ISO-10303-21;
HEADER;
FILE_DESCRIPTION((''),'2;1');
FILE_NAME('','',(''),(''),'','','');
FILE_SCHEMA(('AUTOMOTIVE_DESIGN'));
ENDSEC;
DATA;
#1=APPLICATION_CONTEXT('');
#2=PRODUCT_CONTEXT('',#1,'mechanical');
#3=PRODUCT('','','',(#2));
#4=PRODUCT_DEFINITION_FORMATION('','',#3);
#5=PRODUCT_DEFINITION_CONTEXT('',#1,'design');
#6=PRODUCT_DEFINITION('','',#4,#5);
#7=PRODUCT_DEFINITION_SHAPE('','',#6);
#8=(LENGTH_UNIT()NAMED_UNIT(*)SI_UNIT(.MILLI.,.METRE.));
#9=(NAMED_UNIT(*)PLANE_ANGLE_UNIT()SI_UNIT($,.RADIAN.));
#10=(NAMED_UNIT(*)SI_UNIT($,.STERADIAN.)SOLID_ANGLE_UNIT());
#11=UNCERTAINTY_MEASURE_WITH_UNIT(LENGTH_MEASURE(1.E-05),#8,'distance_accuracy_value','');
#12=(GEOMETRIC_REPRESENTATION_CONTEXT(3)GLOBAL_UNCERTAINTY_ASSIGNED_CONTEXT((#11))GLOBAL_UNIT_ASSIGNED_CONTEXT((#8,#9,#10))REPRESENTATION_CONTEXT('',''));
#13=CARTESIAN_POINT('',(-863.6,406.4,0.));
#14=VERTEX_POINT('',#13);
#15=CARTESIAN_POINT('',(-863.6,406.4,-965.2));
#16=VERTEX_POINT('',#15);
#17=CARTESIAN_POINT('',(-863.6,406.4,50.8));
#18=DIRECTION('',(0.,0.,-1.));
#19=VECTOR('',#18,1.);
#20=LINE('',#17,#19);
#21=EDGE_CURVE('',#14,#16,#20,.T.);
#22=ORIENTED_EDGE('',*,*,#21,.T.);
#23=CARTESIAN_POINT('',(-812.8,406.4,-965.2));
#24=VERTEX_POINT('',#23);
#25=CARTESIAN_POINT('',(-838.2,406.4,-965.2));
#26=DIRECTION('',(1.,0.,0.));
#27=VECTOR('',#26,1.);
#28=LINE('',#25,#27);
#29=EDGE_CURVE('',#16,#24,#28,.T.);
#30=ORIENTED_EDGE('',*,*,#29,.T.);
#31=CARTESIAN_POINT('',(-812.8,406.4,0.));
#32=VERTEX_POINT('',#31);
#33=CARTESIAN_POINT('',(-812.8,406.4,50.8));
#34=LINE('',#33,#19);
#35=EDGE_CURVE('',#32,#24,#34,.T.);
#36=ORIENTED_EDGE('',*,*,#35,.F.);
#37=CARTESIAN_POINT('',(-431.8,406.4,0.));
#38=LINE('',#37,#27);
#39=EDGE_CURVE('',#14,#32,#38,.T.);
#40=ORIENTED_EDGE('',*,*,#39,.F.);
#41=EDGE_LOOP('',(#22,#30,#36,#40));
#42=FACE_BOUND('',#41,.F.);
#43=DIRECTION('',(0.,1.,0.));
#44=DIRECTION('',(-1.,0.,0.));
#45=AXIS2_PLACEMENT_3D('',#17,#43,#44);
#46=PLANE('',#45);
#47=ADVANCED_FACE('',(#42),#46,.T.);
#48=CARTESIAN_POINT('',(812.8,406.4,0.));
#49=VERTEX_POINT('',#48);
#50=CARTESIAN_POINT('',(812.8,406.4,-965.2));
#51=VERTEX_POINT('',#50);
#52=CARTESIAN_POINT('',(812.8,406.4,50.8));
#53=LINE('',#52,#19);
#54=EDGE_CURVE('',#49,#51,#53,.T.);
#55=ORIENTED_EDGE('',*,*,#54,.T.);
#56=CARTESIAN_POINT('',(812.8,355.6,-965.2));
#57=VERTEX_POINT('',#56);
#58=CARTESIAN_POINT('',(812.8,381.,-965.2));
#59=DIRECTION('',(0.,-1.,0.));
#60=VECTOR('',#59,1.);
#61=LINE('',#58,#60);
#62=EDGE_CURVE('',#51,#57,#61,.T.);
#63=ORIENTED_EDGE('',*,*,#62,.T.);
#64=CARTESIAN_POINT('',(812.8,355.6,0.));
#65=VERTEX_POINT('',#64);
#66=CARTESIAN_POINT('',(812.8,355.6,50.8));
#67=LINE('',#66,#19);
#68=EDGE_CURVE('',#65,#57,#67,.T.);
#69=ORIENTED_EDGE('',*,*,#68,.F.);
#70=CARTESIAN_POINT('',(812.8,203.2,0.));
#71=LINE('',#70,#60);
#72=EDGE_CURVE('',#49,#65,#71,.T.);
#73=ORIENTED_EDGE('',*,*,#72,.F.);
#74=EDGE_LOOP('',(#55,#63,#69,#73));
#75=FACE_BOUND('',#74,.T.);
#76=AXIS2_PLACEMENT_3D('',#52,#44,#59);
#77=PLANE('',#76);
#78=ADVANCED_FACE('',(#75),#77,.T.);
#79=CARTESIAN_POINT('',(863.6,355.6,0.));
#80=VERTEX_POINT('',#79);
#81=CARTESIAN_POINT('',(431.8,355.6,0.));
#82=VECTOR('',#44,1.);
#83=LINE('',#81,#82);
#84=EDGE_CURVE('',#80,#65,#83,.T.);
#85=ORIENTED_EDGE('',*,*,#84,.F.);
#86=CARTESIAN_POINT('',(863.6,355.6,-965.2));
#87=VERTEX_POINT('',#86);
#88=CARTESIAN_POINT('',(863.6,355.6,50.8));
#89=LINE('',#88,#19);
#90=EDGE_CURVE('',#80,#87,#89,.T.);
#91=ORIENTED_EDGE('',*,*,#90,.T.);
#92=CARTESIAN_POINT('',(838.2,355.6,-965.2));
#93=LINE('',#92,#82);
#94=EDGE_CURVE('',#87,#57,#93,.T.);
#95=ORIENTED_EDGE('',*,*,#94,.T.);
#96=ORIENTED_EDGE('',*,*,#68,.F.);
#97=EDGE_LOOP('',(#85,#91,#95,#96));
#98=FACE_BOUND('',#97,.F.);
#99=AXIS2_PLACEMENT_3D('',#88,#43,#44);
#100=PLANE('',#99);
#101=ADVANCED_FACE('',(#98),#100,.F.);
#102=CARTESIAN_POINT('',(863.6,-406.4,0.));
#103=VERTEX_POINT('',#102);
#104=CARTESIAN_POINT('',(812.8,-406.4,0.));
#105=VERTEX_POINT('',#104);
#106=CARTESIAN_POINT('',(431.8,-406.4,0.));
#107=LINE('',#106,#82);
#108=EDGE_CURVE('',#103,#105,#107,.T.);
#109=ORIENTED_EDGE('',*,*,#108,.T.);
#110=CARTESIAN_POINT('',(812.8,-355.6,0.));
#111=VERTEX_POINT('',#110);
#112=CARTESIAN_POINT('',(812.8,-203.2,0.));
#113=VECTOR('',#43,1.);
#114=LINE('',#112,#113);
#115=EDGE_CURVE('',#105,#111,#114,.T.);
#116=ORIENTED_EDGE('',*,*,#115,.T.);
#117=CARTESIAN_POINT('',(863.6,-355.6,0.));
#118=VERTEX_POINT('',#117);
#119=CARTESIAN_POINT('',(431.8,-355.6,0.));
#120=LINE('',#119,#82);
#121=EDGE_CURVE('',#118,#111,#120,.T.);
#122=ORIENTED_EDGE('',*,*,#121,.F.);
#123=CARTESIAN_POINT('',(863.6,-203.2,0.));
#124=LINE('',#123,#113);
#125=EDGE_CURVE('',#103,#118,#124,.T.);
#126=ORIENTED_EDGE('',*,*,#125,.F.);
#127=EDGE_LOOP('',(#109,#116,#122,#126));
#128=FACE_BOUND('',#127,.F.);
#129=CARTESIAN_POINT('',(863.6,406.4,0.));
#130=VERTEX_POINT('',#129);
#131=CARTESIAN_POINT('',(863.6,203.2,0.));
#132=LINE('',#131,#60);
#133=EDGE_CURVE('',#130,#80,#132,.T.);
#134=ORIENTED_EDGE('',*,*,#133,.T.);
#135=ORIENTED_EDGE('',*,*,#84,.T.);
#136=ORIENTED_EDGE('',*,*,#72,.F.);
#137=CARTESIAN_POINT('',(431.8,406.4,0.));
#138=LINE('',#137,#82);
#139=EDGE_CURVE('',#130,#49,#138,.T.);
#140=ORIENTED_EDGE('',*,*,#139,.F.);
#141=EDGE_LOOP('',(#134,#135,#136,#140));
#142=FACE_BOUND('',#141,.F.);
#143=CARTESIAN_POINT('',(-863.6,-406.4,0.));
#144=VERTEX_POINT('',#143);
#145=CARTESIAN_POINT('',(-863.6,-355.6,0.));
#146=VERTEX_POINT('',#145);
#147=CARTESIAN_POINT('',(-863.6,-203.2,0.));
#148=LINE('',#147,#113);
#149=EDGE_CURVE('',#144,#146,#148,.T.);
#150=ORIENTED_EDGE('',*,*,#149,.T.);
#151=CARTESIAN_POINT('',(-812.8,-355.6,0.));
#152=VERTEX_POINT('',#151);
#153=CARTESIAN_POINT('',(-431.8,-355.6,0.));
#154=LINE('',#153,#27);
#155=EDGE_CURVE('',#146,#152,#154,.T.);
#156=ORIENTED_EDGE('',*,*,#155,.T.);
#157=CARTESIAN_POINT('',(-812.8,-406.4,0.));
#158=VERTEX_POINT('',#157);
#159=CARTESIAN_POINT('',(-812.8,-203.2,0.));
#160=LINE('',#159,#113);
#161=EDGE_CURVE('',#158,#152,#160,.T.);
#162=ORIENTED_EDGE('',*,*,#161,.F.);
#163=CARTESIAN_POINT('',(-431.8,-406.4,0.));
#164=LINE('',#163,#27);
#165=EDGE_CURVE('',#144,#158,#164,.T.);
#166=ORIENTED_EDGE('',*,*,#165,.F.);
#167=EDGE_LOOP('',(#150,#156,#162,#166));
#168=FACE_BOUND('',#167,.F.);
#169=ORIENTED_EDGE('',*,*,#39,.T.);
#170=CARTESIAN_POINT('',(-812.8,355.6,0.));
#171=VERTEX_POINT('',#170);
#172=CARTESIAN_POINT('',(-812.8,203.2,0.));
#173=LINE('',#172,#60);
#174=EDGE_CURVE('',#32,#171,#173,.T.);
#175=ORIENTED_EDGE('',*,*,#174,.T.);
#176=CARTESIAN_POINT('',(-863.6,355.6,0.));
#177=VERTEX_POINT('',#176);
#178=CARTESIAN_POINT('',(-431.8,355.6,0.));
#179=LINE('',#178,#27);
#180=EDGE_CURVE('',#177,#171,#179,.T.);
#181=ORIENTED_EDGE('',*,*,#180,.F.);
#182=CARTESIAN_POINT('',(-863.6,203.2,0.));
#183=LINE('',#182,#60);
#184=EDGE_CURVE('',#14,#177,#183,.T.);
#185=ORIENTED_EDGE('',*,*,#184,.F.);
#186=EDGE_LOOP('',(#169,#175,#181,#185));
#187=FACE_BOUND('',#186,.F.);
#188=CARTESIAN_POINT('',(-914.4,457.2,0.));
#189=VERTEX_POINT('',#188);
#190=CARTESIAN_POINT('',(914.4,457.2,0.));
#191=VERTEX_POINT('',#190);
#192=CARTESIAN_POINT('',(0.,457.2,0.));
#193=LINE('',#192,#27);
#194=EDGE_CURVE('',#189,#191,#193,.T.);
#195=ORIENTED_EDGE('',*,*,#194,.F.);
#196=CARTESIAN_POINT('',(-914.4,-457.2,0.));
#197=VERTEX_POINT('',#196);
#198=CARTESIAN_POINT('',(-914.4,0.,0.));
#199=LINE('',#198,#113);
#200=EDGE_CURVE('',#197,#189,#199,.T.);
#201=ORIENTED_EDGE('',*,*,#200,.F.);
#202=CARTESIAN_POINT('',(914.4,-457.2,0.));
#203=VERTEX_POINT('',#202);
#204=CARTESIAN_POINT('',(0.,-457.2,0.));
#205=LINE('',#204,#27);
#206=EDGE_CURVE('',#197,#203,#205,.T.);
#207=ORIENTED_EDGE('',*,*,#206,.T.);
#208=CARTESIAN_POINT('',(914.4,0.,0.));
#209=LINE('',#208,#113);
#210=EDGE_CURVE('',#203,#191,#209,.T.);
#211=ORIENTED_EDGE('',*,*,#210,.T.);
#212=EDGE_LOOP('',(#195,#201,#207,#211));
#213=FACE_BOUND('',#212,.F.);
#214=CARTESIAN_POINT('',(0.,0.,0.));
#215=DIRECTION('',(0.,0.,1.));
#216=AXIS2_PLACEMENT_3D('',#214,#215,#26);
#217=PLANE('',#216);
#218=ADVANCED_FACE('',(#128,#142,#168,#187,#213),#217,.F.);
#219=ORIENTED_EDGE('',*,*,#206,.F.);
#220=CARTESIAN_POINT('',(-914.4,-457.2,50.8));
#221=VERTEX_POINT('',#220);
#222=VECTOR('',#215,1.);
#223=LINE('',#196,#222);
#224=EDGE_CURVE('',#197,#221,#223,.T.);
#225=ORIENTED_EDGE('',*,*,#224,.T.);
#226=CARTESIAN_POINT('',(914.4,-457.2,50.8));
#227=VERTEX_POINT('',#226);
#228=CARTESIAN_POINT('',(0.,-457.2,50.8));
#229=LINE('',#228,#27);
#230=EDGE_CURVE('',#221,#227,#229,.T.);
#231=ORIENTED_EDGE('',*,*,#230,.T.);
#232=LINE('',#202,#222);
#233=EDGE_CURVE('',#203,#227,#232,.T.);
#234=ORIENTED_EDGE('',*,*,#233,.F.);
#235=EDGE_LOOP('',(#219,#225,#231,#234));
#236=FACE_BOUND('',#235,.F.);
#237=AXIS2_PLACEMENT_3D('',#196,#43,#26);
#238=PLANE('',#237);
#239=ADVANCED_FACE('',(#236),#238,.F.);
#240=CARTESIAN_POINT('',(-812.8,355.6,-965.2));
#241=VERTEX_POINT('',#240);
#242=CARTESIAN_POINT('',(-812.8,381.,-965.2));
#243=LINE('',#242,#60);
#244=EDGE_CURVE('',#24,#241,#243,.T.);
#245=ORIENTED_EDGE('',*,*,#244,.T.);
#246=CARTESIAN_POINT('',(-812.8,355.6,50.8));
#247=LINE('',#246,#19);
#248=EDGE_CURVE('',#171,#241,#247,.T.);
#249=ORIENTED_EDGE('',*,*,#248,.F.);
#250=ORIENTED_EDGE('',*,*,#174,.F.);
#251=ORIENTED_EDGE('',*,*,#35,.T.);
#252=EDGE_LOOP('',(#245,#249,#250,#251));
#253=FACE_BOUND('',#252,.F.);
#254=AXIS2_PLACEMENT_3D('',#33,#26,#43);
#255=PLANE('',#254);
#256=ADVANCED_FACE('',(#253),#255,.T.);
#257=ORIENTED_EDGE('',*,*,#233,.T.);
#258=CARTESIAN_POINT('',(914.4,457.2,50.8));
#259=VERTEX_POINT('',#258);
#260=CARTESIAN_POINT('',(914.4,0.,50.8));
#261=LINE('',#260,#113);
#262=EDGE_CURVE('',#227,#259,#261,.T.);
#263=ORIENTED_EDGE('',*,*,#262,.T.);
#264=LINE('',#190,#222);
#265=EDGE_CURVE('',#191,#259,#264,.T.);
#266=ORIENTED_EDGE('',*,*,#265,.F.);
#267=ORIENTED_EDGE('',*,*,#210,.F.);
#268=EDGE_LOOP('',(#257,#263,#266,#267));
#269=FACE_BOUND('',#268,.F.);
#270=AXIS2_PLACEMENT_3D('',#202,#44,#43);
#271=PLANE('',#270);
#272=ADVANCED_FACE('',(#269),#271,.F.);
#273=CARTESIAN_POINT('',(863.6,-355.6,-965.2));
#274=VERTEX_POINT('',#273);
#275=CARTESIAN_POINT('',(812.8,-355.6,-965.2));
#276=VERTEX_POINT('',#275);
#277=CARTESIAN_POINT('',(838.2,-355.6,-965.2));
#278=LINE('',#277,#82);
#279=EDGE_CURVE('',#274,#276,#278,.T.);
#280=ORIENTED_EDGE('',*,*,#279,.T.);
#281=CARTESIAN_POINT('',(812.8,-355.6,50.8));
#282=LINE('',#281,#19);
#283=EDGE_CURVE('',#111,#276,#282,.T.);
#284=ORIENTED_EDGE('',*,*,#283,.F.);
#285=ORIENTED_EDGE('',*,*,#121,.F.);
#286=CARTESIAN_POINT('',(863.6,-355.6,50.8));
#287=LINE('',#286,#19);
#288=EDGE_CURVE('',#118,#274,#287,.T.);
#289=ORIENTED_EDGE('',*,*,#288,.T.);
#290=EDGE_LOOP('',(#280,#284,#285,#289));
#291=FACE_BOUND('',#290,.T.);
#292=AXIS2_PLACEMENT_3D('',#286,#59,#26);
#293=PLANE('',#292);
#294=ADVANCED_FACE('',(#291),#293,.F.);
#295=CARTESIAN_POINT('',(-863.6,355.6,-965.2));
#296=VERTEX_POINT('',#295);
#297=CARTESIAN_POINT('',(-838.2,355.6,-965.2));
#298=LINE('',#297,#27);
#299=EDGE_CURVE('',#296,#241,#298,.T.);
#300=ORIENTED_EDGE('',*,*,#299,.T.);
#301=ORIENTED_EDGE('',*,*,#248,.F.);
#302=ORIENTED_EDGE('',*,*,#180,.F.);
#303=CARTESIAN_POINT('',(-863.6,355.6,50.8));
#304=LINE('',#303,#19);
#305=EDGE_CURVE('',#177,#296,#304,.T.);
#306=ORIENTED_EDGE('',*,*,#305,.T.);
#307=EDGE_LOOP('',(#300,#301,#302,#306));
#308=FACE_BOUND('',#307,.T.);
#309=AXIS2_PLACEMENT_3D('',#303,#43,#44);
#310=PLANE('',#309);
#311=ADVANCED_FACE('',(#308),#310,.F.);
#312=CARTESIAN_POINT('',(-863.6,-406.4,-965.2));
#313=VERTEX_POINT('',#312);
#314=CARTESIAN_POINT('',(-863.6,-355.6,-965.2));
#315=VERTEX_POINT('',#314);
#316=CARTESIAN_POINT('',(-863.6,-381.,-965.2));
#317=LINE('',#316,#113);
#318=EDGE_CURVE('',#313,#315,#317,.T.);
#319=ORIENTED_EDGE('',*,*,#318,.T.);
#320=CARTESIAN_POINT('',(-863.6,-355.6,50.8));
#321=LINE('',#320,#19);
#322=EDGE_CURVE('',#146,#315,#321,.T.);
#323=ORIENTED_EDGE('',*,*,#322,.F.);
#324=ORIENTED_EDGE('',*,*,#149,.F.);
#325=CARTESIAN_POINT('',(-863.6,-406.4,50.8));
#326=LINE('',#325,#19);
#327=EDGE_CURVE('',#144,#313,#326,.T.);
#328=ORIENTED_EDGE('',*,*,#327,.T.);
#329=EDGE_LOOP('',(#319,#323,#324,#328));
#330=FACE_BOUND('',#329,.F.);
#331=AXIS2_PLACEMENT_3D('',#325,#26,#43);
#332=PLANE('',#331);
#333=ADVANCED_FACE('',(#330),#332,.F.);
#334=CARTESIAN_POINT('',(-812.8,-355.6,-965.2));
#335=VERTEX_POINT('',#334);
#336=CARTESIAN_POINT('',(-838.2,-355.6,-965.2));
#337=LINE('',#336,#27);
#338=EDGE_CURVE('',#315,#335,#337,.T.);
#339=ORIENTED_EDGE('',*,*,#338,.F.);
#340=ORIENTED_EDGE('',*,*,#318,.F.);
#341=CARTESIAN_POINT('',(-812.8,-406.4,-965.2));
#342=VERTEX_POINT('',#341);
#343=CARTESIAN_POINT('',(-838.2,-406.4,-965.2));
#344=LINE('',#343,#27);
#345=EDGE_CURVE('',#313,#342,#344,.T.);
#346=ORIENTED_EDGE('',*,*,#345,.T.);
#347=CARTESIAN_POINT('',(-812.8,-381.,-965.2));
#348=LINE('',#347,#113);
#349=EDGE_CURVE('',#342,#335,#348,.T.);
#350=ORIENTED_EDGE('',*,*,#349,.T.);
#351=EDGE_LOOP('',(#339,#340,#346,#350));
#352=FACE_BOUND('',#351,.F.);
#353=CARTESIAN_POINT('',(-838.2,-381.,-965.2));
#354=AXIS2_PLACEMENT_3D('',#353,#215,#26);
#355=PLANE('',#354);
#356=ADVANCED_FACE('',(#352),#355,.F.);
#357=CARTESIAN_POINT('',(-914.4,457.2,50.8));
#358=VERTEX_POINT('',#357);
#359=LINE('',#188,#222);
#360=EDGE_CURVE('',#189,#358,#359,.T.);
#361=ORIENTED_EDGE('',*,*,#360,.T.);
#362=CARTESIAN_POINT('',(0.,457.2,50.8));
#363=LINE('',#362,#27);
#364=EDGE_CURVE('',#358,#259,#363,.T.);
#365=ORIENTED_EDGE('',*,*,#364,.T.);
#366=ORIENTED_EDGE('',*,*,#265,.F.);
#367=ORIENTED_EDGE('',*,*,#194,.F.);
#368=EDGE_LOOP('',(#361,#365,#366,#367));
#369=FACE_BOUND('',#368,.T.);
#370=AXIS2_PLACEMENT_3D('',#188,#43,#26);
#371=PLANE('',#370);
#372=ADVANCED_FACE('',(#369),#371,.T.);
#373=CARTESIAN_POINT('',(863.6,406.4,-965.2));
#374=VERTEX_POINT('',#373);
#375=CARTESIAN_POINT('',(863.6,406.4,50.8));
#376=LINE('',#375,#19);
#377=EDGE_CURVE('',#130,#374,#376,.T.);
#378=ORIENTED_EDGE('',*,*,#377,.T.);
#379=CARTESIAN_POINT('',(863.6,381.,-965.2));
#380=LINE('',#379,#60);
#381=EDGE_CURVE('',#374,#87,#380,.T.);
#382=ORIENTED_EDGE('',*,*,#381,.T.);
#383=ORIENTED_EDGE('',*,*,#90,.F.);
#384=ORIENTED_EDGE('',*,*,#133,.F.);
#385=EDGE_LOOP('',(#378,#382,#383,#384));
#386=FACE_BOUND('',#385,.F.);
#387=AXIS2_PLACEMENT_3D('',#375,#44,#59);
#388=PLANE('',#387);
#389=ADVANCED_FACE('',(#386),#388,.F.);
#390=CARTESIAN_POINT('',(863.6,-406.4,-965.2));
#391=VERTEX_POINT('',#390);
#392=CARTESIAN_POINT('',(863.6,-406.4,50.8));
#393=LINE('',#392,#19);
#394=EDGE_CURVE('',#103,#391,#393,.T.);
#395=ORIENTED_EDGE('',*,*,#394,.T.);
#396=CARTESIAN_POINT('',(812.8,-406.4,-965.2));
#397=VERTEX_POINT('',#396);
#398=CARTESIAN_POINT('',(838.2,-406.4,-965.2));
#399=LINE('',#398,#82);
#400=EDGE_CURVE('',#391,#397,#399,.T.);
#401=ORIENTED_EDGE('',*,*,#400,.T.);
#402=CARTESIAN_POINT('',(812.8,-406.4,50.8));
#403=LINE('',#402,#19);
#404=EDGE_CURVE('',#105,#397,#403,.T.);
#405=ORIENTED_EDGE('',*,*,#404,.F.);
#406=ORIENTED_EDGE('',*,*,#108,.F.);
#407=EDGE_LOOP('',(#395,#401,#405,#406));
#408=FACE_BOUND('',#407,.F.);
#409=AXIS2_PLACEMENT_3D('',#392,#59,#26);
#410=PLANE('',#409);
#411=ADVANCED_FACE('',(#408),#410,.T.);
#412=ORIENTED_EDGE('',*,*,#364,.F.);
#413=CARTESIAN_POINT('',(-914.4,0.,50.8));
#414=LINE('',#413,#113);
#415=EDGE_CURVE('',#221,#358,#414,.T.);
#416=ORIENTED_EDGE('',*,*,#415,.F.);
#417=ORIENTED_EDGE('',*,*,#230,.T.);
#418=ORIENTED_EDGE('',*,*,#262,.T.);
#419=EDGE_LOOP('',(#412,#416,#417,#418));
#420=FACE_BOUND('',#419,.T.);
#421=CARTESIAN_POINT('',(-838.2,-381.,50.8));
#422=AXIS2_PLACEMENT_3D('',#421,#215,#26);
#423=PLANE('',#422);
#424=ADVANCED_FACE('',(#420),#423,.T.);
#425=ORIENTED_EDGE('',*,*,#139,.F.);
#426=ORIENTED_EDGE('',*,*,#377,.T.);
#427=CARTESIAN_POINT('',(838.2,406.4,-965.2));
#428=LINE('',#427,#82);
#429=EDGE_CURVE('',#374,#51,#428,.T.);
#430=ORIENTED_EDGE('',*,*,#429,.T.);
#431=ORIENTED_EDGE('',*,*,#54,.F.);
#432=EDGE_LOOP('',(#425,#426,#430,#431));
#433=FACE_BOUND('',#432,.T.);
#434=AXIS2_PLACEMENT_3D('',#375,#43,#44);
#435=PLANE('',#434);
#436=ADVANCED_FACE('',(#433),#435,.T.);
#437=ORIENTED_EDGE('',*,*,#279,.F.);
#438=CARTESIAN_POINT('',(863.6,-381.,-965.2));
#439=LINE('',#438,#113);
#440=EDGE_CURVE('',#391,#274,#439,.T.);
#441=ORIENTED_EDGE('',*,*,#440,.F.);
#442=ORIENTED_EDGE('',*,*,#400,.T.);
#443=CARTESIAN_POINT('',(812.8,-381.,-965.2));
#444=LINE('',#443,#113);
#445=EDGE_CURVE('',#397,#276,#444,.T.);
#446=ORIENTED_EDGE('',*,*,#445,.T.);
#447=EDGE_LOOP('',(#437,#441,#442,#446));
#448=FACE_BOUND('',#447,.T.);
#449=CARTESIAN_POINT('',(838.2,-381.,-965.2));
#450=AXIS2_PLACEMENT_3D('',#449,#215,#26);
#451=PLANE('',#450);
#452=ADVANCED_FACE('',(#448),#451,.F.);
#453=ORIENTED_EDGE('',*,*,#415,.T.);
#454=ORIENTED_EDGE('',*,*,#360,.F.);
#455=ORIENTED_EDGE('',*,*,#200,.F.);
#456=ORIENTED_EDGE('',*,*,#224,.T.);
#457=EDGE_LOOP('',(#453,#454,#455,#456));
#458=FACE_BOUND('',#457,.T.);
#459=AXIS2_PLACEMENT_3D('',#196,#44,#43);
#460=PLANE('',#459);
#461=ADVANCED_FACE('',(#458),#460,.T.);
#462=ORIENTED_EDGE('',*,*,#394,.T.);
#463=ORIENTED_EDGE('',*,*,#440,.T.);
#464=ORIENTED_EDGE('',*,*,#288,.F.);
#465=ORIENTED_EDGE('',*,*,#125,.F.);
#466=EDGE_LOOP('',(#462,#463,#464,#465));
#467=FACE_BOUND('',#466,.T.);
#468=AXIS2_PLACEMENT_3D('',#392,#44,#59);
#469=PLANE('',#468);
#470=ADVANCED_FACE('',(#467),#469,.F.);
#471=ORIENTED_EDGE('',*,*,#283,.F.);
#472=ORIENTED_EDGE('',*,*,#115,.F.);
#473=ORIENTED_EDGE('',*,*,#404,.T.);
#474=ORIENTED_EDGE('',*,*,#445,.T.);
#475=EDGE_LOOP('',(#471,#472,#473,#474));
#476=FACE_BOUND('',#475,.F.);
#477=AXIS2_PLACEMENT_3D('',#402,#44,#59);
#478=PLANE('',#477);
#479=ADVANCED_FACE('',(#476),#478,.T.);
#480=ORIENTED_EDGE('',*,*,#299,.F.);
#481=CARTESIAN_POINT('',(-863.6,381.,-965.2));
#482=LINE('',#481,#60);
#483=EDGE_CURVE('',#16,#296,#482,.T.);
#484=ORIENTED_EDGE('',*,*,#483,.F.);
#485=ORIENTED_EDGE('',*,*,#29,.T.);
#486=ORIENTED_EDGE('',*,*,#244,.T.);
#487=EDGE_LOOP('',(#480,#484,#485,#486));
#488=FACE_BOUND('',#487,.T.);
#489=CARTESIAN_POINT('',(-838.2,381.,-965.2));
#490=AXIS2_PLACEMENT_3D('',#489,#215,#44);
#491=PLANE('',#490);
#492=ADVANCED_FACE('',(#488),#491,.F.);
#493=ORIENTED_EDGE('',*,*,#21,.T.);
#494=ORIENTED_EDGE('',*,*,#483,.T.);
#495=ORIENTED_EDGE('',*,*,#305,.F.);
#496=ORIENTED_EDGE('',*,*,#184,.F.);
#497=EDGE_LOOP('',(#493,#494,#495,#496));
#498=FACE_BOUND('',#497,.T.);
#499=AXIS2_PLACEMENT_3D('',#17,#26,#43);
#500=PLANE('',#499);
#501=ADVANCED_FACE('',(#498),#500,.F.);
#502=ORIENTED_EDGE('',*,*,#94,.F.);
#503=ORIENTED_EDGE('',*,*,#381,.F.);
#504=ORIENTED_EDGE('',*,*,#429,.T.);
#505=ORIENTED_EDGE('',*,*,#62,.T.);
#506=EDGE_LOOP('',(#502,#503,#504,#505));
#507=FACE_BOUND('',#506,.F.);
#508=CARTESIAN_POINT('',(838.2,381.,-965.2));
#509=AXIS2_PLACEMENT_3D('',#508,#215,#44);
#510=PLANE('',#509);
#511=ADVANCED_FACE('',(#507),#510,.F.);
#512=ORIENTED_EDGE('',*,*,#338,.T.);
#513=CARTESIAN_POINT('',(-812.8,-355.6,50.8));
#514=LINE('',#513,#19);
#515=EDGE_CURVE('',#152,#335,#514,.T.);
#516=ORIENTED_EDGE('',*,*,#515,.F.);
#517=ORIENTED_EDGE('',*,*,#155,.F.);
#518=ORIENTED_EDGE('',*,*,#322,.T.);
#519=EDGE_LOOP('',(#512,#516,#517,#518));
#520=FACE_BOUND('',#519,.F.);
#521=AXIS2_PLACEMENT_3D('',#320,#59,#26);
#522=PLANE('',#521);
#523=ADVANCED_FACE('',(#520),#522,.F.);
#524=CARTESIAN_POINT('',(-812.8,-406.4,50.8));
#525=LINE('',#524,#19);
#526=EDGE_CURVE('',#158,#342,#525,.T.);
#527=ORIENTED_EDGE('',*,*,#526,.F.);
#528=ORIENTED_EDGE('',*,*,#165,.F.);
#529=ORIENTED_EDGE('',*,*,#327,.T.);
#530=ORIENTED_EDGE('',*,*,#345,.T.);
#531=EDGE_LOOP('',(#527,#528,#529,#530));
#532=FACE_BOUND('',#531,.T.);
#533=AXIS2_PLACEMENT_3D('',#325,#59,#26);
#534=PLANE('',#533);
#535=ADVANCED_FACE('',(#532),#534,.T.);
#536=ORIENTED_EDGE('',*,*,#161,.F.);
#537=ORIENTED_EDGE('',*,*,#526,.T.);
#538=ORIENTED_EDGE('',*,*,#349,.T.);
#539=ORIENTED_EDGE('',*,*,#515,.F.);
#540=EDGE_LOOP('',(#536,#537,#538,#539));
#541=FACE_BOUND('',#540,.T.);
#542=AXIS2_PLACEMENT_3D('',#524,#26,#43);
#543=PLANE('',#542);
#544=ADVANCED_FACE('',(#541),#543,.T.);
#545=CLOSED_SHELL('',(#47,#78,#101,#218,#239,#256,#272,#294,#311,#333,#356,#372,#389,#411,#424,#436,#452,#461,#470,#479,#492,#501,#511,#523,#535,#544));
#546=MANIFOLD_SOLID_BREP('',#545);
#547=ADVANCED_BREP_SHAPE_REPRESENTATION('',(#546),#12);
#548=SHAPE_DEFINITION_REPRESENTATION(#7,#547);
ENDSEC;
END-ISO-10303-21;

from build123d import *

# Parameters (mm, degrees)
F0_W     = 1828.8
F0_H     = 914.4
F1_DEPTH = 50.8
F2_W     = 50.8
F2_H     = 50.8
F3_DEPTH = 1016


with BuildPart() as f1:
    # F0 (on Top) → F1 (new body)
    with BuildSketch(Plane.XY):
        Rectangle(F0_W, F0_H)
    extrude(amount=F1_DEPTH)

    # F2 (on face) → F3 (join)
    with BuildSketch(Plane.XY.offset(50.8)):
        with Locations((-838.2, -381)):
            Rectangle(F2_W, F2_H)
    extrude(amount=-F3_DEPTH)

    # F4: F1 across plane


with BuildPart() as f1_1:
    add(f1.part)
    add(f1.part.mirror(Plane.XZ))

    # F5: F1 across plane


with BuildPart() as f1_2:
    add(f1_1.part)
    add(f1_1.part.mirror(Plane.YZ))


solid = f1_2.part
